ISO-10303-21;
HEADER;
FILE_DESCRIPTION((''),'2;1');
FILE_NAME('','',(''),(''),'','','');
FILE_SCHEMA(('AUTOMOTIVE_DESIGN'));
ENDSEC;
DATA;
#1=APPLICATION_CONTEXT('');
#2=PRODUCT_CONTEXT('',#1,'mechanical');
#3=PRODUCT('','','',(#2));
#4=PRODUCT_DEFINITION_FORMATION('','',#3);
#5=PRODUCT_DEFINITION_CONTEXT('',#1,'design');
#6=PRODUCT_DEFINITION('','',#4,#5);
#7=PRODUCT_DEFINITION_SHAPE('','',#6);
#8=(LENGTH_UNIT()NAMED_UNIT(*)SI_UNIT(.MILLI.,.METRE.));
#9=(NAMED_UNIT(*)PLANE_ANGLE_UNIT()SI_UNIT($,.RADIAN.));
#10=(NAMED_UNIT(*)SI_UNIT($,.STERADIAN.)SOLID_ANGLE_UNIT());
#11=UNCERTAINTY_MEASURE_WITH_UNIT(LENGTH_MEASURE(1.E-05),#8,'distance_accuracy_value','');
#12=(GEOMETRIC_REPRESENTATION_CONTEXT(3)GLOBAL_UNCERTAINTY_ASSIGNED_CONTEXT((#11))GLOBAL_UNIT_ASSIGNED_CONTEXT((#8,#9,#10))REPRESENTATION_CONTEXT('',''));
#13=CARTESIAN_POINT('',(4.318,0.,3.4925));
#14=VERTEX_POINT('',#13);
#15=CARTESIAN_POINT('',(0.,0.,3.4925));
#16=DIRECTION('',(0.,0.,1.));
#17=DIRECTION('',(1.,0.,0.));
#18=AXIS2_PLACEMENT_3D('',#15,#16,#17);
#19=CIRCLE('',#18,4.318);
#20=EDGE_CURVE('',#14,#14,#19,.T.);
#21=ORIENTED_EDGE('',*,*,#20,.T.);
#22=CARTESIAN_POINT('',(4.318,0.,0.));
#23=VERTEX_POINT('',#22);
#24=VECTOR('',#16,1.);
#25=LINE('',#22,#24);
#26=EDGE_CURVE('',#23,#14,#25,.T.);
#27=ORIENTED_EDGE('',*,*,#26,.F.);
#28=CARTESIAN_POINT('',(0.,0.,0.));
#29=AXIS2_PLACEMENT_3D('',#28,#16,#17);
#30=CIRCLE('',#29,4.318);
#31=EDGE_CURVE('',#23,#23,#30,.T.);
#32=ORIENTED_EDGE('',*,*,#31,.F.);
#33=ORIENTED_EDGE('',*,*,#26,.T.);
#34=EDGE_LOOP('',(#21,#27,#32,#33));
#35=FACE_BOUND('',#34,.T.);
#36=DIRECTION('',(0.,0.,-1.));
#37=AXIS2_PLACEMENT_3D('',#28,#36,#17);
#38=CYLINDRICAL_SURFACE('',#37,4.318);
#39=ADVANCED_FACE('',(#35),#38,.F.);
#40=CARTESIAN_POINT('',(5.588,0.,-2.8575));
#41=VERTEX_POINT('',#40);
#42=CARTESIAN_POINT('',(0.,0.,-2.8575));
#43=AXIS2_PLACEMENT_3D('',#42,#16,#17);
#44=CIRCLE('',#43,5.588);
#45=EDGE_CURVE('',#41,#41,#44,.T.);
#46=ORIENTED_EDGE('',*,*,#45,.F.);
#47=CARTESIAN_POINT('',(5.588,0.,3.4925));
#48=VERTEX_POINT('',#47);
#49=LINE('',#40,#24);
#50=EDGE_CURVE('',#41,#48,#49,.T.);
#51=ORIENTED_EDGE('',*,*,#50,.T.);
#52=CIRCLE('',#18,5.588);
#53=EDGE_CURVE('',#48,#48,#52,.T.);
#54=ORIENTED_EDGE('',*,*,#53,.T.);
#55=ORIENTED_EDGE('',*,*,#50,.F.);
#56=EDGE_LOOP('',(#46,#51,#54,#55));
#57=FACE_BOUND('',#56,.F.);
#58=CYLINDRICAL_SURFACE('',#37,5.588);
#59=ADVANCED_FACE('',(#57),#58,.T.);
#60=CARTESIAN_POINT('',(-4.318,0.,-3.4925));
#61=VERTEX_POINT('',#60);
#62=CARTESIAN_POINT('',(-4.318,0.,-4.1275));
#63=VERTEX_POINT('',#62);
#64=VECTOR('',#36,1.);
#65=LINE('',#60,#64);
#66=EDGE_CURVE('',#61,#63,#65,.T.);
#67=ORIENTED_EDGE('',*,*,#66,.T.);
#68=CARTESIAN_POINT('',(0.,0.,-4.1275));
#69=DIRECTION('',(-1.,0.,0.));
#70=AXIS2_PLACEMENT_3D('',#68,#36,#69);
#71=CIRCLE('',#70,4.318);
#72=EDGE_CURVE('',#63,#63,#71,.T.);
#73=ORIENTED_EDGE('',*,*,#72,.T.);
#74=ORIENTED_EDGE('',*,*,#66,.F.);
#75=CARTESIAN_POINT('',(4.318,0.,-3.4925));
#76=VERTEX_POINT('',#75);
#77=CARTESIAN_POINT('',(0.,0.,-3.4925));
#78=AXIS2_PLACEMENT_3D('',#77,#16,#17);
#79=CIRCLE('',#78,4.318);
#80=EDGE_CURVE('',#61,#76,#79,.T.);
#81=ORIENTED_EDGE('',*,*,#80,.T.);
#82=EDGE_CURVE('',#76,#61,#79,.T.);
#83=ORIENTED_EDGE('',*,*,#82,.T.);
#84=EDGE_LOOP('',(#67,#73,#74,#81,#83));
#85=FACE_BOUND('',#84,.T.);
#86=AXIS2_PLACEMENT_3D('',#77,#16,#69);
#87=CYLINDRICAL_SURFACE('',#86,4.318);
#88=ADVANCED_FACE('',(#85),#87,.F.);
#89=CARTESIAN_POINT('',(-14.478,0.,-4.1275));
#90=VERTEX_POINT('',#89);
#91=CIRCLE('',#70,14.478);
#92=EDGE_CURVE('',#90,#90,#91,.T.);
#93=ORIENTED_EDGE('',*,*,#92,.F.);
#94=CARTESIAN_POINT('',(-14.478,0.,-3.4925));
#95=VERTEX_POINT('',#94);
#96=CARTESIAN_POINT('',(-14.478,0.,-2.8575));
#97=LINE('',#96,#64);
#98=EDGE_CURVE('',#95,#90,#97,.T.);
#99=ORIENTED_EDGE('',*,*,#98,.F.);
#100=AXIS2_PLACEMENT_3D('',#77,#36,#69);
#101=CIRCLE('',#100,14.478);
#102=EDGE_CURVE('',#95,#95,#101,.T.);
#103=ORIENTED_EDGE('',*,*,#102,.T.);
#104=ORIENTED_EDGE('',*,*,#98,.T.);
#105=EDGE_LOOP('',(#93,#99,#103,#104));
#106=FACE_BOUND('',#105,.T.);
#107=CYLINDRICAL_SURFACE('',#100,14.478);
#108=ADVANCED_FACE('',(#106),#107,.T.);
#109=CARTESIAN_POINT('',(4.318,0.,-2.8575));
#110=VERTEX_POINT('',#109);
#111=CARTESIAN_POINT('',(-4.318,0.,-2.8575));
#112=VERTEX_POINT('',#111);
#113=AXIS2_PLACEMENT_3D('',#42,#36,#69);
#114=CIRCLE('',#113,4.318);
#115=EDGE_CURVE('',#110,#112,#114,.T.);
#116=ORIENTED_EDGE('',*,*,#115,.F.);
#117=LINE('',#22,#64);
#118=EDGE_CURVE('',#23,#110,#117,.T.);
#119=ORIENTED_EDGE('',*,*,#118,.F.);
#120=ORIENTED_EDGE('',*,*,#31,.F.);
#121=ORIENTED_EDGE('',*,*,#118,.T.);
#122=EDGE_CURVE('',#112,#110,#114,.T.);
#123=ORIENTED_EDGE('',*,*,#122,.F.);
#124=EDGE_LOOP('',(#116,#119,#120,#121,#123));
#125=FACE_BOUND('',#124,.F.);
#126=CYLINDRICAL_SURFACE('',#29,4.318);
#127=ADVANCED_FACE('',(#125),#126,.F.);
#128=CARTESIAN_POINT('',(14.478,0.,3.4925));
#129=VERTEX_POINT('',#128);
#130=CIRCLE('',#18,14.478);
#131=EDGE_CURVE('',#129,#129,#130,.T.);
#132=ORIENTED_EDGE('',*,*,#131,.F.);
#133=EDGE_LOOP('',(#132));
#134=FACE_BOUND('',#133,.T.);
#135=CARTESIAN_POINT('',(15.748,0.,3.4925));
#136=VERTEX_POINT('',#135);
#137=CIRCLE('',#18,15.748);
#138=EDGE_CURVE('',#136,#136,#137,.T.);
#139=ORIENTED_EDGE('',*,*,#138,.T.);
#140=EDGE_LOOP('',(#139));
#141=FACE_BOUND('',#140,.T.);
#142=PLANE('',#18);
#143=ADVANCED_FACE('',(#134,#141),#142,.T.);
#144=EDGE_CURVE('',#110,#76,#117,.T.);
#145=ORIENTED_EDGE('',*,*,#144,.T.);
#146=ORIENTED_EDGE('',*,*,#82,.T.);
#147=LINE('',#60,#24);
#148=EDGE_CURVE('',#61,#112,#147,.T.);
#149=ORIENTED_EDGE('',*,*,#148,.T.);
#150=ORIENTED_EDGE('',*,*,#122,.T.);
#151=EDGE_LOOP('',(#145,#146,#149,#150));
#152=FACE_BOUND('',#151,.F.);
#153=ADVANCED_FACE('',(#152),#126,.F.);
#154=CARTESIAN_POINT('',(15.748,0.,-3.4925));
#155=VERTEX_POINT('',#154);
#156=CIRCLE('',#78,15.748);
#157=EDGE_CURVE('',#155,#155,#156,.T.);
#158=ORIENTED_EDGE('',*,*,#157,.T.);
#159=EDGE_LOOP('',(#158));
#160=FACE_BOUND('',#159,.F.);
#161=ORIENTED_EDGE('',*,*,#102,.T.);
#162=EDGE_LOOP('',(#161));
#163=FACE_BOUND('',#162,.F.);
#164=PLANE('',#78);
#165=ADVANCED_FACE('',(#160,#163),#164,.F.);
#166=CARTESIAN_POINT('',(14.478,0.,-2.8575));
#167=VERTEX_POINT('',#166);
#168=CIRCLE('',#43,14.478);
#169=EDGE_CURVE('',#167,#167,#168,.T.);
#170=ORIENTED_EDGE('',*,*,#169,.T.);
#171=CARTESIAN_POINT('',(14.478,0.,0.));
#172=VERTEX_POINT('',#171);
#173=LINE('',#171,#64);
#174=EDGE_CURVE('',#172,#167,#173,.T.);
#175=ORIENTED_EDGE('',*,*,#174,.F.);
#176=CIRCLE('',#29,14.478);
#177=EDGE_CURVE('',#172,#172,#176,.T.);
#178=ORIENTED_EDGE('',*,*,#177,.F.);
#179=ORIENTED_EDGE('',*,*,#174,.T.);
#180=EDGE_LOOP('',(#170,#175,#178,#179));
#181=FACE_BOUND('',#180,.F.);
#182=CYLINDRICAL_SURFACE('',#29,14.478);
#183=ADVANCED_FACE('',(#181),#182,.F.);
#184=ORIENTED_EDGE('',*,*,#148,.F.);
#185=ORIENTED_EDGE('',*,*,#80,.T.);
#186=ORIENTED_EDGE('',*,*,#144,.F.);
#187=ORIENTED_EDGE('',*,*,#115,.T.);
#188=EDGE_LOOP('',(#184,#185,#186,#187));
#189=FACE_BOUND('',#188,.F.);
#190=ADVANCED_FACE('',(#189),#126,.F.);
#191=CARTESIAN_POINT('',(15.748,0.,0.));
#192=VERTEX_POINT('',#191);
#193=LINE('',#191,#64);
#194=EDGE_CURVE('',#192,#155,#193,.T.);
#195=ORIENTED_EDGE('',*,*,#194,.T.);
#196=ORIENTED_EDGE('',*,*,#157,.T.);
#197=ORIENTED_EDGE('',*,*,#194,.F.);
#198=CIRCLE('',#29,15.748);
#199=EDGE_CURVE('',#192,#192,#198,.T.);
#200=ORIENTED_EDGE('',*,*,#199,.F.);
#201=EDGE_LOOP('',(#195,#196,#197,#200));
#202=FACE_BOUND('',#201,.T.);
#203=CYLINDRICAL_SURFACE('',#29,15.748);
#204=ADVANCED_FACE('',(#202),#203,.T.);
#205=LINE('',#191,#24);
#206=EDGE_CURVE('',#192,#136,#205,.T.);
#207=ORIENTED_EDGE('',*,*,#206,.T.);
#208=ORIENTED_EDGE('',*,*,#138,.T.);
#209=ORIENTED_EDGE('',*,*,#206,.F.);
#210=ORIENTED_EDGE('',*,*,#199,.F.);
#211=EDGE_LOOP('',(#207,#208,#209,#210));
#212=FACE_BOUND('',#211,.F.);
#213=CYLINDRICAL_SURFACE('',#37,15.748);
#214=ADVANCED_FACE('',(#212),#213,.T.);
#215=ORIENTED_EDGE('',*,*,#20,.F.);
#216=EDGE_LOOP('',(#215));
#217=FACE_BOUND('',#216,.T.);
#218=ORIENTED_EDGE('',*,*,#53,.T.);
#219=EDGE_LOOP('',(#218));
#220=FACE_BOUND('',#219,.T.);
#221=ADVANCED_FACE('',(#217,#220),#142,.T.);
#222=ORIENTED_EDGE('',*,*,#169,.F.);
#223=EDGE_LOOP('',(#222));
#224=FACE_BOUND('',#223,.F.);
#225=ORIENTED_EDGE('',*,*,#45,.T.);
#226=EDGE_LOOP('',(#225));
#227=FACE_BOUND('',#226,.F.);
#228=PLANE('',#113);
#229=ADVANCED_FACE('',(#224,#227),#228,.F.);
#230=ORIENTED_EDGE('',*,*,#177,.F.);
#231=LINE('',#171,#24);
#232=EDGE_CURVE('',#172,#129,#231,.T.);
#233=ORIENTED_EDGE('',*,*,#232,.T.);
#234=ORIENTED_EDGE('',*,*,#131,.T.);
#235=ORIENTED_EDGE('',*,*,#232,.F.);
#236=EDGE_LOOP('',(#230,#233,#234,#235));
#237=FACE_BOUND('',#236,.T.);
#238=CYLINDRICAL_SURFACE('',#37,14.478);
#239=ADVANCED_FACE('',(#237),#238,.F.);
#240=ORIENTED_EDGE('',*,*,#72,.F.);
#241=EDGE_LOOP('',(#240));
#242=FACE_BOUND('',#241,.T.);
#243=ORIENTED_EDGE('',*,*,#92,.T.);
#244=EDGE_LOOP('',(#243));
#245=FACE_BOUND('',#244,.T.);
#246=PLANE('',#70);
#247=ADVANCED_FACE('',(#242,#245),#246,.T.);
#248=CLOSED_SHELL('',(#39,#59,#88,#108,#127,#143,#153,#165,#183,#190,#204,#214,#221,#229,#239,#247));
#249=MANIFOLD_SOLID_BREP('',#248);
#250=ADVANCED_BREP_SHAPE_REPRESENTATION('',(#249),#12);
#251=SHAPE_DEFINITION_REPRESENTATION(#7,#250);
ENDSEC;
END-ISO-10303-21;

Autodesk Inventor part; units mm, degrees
ref_plane "YZ Plane" through (0, 0, 0) normal (1, 0, 0) x (0, 1, 0)
ref_plane "XZ Plane" through (0, 0, 0) normal (0, 1, 0) x (-1, 0, 0)
ref_plane "XY Plane" through (0, 0, 0) normal (0, 0, 1) x (1, 0, 0)
sketch "Sketch1" plane through (0, 0, 0) normal (0, 0, 1) x (1, 0, 0)
  circle A0 centre (0, 0) radius 5.588
  circle A1 centre (0, 0) radius 4.318
  circle A2 centre (0, 0) radius 14.478
  circle A3 centre (0, 0) radius 15.748
  dimension "d1" = 11.176
  dimension "d2" = 1.27
  dimension "d3" = 8.89
  dimension "d4" = 1.27
extrude "Extrusion1" add sketch "Sketch1" along normal mid plane 6.985
sketch "Sketch5" plane through (0, 0, -3.4925) normal (0, 0, -1) x (-1, 0, 0)
  circle A0 centre (0, 0) radius 14.478 projected
  circle A1 centre (0, 0) radius 15.748 projected
  circle A2 centre (0, 0) radius 4.318 projected
  circle A3 centre (0, 0) radius 5.588 projected
extrude "Extrusion3" add sketch "Sketch5" along normal mid plane 1.27 contours A0 | A3
sketch "Sketch6" plane through (0, 0, -4.1275) normal (0, 0, -1) x (-1, 0, 0)
  circle A0 centre (0, 0) radius 14.478 projected
  arc A1 (-3.1559, 14.1299) -> (3.1559, 14.1299) centre (0, 14.478) ccw
  dimension "d17" = 6.35
properties part number "Wheel"
